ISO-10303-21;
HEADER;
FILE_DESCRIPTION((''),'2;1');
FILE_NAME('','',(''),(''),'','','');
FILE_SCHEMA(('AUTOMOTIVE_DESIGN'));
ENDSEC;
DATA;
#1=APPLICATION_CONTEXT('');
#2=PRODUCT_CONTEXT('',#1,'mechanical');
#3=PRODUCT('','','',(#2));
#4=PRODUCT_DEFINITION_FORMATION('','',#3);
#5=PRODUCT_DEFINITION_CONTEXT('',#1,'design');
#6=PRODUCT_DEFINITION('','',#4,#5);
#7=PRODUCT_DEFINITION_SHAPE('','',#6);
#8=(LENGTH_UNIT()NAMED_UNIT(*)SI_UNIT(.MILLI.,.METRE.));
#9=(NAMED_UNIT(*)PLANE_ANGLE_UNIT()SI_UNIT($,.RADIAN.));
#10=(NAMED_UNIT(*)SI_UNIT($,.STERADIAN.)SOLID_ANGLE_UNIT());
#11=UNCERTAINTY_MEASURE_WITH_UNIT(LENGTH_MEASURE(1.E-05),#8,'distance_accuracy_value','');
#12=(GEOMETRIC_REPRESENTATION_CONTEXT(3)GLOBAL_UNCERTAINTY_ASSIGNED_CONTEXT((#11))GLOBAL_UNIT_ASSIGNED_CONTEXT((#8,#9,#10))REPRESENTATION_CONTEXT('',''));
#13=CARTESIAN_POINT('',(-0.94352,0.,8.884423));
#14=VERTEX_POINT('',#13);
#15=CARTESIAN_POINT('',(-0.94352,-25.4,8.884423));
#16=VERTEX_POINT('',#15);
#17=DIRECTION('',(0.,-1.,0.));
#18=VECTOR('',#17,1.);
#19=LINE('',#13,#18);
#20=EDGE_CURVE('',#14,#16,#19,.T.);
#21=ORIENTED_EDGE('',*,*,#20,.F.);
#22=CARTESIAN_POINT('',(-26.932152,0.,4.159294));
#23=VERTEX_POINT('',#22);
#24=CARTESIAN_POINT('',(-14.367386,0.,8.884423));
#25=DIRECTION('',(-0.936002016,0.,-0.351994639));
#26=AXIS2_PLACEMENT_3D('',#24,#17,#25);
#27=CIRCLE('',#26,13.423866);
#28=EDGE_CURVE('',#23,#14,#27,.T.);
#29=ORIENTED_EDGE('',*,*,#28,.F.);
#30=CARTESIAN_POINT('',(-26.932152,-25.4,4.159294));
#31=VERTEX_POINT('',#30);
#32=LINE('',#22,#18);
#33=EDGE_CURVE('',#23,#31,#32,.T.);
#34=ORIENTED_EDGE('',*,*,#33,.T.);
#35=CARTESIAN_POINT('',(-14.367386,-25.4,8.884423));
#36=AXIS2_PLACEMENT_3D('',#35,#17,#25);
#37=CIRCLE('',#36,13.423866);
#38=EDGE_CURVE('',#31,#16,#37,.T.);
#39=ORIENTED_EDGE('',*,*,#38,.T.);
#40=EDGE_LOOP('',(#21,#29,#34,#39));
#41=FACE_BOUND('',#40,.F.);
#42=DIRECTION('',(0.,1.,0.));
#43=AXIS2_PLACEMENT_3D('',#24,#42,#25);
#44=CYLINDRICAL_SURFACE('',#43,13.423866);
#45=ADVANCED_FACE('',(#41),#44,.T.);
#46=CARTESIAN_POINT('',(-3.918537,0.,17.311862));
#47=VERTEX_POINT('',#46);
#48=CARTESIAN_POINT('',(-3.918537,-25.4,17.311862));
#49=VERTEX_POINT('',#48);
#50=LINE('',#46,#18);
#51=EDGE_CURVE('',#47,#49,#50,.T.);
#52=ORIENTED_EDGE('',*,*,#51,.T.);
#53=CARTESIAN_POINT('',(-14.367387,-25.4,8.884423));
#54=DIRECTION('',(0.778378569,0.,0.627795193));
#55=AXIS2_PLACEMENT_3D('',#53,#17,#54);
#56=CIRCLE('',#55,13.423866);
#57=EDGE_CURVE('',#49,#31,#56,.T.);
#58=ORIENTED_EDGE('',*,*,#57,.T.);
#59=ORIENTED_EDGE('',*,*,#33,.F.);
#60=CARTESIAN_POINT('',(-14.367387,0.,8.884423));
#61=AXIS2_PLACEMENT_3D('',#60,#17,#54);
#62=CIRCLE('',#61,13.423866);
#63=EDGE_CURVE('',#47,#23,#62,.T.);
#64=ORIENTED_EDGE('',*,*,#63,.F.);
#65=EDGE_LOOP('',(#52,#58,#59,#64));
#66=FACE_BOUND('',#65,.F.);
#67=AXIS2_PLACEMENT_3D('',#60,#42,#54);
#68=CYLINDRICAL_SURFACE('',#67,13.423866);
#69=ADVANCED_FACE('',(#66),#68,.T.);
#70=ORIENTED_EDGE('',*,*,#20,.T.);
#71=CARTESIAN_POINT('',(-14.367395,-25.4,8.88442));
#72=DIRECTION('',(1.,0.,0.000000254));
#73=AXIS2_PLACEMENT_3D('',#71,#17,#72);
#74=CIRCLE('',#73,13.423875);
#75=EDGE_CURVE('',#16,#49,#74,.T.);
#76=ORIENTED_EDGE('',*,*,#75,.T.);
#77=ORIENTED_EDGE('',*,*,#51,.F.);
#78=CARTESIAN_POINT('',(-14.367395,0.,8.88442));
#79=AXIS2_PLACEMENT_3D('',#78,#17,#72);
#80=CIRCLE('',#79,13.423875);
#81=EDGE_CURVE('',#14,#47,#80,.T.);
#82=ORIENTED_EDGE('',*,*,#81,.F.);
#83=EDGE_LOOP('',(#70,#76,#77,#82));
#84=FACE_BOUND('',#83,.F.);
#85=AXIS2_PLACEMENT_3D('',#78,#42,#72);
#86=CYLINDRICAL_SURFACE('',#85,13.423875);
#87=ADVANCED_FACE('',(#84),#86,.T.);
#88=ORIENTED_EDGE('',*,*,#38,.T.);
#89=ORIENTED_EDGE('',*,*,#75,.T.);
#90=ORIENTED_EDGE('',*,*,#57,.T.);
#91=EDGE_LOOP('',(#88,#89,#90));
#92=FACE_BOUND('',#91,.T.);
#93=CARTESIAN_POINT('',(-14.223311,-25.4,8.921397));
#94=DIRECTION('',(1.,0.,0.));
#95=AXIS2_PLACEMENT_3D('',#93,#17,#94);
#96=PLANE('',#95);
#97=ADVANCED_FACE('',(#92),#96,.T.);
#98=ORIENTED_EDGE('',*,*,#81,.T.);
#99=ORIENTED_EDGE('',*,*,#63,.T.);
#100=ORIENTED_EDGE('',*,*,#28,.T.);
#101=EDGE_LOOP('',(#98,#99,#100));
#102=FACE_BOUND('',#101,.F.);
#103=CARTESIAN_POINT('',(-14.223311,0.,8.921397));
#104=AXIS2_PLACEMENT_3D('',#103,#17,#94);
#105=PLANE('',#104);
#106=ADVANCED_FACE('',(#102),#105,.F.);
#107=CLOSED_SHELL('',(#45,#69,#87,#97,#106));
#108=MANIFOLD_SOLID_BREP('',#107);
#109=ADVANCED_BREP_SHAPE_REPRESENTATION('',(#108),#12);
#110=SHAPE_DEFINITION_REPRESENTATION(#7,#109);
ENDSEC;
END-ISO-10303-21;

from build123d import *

# Parameters (mm, degrees)
F1_DEPTH = 25.4


with BuildPart() as f1:
    # F0 (on Front) → F1 (new body)
    with BuildSketch(Plane.XZ):
        with BuildLine():
            ThreePointArc((-0.94352, 8.884423), (-1.709106, 13.352992), (-3.918537, 17.311862))
            ThreePointArc((-3.918537, 17.311862), (-21.028226, 20.539182), (-26.932152, 4.159294))
            ThreePointArc((-26.932152, 4.159294), (-11.96609, -4.322922), (-0.94352, 8.884423))
        make_face()
    extrude(amount=F1_DEPTH)


solid = f1.part
